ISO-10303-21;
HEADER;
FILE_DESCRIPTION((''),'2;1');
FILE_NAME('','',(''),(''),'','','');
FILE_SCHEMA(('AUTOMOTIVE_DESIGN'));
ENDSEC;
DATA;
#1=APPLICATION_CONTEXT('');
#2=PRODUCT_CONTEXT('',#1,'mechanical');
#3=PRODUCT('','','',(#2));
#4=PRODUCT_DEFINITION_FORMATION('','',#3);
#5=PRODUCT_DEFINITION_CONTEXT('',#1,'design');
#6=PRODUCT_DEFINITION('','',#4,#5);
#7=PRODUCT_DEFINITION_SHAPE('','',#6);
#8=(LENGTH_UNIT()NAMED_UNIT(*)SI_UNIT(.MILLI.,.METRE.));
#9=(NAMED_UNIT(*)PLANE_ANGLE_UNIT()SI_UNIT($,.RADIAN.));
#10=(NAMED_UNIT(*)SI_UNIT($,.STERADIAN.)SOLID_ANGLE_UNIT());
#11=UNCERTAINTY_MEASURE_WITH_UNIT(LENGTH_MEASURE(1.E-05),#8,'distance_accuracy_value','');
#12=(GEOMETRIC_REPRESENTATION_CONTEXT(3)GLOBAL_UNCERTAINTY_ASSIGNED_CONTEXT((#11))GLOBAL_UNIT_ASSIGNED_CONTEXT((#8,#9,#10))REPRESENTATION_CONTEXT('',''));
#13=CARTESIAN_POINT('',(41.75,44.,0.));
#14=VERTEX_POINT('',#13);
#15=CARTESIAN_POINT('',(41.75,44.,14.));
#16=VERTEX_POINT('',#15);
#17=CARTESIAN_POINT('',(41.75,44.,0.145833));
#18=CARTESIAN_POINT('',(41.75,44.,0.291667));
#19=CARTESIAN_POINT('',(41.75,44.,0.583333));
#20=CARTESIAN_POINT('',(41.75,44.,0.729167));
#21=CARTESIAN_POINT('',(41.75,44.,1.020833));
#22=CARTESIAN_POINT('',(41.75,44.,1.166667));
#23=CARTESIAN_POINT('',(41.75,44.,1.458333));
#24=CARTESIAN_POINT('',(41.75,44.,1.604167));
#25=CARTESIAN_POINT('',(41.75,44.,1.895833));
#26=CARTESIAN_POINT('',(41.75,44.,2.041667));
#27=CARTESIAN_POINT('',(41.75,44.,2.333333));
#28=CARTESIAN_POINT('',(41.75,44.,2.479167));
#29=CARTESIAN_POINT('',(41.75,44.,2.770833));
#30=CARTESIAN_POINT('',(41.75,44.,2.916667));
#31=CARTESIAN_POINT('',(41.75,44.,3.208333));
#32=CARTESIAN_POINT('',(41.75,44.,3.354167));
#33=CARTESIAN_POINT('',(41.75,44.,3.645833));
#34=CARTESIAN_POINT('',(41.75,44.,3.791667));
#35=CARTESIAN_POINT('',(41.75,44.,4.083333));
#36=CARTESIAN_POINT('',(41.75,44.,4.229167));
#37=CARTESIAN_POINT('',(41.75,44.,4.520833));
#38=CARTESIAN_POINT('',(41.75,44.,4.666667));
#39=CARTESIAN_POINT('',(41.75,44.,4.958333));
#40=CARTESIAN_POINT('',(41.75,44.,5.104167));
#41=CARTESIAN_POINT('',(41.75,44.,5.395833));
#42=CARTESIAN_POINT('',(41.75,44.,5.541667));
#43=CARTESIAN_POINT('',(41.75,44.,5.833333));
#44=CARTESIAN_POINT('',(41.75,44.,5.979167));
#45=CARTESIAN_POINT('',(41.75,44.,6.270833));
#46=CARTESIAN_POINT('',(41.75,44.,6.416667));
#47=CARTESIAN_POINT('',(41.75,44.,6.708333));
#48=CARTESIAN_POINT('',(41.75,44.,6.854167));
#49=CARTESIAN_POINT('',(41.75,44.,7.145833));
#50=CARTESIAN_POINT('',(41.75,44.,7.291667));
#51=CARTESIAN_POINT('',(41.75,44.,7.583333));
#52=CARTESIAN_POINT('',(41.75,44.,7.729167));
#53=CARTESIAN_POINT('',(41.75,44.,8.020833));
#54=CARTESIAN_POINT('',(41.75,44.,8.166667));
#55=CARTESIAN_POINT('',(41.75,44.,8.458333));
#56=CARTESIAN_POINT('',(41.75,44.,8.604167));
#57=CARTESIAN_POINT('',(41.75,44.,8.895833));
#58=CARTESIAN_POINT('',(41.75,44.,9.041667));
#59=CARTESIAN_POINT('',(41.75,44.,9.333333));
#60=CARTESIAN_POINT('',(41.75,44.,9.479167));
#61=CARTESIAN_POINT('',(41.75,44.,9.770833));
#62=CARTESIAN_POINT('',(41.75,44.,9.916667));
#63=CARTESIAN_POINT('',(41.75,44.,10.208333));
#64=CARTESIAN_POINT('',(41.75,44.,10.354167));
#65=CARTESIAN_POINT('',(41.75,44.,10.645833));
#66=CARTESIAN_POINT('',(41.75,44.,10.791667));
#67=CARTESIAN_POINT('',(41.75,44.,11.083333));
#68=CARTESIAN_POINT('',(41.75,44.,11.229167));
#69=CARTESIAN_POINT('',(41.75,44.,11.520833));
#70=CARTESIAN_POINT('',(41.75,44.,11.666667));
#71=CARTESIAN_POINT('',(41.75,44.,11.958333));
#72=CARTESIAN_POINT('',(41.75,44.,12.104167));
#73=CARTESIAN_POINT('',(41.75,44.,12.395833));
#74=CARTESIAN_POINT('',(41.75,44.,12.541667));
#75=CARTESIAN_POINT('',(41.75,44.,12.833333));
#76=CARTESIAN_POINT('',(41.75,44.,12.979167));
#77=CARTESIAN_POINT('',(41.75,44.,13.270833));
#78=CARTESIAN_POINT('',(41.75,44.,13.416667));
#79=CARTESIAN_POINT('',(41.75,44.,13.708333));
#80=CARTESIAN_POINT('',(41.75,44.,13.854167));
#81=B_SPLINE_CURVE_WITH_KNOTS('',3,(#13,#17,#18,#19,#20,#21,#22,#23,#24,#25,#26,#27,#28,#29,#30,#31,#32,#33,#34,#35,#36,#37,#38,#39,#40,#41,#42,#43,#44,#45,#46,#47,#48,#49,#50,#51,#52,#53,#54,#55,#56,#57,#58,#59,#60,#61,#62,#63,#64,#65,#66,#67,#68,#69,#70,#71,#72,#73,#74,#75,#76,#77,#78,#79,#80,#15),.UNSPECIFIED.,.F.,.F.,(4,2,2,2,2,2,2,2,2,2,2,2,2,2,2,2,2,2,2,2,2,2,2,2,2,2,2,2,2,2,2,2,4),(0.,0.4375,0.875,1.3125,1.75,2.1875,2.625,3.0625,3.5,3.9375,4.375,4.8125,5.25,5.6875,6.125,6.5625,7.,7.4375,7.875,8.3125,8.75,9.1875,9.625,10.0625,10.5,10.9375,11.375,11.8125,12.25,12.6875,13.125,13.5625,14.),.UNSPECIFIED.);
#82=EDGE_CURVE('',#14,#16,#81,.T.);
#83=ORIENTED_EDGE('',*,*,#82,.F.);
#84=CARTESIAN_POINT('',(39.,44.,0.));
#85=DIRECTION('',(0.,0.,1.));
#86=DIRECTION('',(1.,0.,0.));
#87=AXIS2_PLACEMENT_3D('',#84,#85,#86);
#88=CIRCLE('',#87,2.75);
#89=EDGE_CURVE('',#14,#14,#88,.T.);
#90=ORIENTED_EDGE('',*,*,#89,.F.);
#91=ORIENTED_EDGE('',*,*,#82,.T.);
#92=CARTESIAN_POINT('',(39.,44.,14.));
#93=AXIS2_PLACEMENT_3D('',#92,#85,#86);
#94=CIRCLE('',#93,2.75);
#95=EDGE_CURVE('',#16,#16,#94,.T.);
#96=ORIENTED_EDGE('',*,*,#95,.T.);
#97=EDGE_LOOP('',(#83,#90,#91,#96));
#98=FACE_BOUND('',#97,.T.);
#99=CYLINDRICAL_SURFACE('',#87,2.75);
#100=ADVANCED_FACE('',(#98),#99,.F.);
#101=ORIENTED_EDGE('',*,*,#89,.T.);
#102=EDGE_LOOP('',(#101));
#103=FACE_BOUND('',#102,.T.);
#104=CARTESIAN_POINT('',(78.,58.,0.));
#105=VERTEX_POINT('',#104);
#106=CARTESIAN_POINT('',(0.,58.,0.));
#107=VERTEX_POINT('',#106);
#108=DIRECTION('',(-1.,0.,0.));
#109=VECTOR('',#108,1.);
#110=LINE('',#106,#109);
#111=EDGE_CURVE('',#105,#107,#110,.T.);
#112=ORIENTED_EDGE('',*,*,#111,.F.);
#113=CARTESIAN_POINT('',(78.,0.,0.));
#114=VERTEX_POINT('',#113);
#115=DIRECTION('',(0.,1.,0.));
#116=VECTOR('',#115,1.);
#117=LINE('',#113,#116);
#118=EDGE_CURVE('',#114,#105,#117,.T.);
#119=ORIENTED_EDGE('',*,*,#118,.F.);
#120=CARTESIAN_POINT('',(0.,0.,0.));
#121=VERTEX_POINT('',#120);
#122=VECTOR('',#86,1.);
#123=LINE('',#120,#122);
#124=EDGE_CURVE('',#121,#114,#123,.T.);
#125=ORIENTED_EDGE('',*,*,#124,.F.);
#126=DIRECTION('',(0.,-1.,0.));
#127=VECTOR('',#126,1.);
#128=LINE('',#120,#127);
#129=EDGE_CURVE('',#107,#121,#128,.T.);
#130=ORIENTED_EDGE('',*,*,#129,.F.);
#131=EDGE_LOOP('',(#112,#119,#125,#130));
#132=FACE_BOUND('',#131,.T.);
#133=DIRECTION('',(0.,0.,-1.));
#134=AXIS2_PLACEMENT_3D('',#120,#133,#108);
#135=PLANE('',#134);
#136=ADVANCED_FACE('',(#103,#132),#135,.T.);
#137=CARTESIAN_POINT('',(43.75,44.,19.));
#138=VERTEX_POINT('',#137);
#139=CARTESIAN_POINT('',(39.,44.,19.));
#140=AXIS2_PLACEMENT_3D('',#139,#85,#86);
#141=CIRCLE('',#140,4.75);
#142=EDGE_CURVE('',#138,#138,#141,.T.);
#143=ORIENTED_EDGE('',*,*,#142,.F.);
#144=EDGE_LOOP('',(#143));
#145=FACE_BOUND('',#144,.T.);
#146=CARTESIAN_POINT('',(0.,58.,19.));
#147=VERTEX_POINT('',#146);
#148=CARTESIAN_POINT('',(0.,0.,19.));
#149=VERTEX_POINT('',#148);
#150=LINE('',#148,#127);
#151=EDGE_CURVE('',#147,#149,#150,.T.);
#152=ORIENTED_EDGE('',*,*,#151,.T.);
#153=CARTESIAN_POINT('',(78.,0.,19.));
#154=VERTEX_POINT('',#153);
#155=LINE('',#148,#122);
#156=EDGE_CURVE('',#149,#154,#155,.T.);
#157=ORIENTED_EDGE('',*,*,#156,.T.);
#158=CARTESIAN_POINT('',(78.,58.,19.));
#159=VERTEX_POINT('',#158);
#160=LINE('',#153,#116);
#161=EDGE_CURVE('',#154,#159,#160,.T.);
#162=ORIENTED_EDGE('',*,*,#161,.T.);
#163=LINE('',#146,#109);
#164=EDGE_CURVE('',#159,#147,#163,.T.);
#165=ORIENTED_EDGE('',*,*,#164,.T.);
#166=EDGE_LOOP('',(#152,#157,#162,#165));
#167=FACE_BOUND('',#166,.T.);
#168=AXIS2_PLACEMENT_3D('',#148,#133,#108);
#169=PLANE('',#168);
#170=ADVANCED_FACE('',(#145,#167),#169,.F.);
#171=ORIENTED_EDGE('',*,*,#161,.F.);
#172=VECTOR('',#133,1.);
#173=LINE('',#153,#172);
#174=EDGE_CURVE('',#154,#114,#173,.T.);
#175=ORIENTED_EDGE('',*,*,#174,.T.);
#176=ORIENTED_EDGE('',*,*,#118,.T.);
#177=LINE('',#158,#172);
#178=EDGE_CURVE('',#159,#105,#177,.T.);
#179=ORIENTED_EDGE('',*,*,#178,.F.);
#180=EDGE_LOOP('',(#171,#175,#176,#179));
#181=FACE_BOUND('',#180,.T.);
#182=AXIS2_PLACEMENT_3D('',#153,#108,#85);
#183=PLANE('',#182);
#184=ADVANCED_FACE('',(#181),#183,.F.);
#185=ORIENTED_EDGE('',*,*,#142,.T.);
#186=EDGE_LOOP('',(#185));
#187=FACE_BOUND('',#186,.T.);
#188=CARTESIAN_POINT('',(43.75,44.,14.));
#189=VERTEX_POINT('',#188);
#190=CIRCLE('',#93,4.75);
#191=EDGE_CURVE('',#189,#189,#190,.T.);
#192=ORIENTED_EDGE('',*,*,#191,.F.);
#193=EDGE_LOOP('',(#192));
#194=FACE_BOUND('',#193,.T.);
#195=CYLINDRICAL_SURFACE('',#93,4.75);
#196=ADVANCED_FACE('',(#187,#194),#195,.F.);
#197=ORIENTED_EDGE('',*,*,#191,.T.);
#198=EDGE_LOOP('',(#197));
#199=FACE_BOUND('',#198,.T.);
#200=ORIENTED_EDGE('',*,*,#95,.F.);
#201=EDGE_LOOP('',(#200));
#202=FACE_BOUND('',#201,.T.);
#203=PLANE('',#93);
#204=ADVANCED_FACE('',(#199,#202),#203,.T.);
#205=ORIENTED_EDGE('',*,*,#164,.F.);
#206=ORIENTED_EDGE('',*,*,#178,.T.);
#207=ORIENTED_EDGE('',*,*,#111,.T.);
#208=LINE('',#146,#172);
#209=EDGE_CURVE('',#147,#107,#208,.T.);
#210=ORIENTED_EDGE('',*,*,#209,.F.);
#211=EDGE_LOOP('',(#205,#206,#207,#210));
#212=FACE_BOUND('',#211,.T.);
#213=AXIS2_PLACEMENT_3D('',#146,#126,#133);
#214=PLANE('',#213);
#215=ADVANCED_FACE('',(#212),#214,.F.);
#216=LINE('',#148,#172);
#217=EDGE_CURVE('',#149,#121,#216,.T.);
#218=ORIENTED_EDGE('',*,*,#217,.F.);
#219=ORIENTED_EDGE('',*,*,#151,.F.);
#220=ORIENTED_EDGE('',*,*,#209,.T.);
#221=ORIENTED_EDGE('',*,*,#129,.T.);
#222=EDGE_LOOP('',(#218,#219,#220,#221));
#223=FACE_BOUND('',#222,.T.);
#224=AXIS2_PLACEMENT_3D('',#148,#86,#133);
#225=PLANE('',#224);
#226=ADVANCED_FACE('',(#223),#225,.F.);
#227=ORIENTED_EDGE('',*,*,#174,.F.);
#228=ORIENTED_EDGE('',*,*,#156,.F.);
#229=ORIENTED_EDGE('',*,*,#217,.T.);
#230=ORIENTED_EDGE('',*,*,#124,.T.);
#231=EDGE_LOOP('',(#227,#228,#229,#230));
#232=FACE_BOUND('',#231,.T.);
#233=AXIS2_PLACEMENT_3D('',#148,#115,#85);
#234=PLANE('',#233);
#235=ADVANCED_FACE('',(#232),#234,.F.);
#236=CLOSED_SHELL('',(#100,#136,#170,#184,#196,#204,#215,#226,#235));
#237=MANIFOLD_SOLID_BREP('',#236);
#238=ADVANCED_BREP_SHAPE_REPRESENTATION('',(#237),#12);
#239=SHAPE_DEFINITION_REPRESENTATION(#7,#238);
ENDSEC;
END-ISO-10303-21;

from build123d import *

# Parameters (mm, degrees)
SKETCH1_W           = 78
SKETCH1_H           = 58
BOSS_EXTRUDE1_DEPTH = 19
SKETCH2_R           = 4.75
CUT_EXTRUDE1_DEPTH  = 5
CUT_EXTRUDE2_START  = -5
SKETCH2_3_R         = 2.75
CUT_EXTRUDE2_DEPTH  = 95.040395799


with BuildPart() as part:
    # Sketch1 → Boss-Extrude1 (new body)
    with BuildSketch(Plane.XY):
        with Locations((39, 29)):
            Rectangle(SKETCH1_W, SKETCH1_H)
    extrude(amount=BOSS_EXTRUDE1_DEPTH)

    # Sketch2 → Cut-Extrude1 (cut)
    with BuildSketch(Plane.XY.offset(19)):
        with Locations((39, 44)):
            Circle(SKETCH2_R)
    extrude(amount=-CUT_EXTRUDE1_DEPTH, mode=Mode.SUBTRACT)

    # Sketch2<3> → Cut-Extrude2 (cut, through all)
    with BuildSketch(Plane.XY.offset(19).offset(CUT_EXTRUDE2_START)):
        with Locations((39, 44)):
            Circle(SKETCH2_3_R)
    extrude(amount=-CUT_EXTRUDE2_DEPTH, mode=Mode.SUBTRACT)


solid = part.part
